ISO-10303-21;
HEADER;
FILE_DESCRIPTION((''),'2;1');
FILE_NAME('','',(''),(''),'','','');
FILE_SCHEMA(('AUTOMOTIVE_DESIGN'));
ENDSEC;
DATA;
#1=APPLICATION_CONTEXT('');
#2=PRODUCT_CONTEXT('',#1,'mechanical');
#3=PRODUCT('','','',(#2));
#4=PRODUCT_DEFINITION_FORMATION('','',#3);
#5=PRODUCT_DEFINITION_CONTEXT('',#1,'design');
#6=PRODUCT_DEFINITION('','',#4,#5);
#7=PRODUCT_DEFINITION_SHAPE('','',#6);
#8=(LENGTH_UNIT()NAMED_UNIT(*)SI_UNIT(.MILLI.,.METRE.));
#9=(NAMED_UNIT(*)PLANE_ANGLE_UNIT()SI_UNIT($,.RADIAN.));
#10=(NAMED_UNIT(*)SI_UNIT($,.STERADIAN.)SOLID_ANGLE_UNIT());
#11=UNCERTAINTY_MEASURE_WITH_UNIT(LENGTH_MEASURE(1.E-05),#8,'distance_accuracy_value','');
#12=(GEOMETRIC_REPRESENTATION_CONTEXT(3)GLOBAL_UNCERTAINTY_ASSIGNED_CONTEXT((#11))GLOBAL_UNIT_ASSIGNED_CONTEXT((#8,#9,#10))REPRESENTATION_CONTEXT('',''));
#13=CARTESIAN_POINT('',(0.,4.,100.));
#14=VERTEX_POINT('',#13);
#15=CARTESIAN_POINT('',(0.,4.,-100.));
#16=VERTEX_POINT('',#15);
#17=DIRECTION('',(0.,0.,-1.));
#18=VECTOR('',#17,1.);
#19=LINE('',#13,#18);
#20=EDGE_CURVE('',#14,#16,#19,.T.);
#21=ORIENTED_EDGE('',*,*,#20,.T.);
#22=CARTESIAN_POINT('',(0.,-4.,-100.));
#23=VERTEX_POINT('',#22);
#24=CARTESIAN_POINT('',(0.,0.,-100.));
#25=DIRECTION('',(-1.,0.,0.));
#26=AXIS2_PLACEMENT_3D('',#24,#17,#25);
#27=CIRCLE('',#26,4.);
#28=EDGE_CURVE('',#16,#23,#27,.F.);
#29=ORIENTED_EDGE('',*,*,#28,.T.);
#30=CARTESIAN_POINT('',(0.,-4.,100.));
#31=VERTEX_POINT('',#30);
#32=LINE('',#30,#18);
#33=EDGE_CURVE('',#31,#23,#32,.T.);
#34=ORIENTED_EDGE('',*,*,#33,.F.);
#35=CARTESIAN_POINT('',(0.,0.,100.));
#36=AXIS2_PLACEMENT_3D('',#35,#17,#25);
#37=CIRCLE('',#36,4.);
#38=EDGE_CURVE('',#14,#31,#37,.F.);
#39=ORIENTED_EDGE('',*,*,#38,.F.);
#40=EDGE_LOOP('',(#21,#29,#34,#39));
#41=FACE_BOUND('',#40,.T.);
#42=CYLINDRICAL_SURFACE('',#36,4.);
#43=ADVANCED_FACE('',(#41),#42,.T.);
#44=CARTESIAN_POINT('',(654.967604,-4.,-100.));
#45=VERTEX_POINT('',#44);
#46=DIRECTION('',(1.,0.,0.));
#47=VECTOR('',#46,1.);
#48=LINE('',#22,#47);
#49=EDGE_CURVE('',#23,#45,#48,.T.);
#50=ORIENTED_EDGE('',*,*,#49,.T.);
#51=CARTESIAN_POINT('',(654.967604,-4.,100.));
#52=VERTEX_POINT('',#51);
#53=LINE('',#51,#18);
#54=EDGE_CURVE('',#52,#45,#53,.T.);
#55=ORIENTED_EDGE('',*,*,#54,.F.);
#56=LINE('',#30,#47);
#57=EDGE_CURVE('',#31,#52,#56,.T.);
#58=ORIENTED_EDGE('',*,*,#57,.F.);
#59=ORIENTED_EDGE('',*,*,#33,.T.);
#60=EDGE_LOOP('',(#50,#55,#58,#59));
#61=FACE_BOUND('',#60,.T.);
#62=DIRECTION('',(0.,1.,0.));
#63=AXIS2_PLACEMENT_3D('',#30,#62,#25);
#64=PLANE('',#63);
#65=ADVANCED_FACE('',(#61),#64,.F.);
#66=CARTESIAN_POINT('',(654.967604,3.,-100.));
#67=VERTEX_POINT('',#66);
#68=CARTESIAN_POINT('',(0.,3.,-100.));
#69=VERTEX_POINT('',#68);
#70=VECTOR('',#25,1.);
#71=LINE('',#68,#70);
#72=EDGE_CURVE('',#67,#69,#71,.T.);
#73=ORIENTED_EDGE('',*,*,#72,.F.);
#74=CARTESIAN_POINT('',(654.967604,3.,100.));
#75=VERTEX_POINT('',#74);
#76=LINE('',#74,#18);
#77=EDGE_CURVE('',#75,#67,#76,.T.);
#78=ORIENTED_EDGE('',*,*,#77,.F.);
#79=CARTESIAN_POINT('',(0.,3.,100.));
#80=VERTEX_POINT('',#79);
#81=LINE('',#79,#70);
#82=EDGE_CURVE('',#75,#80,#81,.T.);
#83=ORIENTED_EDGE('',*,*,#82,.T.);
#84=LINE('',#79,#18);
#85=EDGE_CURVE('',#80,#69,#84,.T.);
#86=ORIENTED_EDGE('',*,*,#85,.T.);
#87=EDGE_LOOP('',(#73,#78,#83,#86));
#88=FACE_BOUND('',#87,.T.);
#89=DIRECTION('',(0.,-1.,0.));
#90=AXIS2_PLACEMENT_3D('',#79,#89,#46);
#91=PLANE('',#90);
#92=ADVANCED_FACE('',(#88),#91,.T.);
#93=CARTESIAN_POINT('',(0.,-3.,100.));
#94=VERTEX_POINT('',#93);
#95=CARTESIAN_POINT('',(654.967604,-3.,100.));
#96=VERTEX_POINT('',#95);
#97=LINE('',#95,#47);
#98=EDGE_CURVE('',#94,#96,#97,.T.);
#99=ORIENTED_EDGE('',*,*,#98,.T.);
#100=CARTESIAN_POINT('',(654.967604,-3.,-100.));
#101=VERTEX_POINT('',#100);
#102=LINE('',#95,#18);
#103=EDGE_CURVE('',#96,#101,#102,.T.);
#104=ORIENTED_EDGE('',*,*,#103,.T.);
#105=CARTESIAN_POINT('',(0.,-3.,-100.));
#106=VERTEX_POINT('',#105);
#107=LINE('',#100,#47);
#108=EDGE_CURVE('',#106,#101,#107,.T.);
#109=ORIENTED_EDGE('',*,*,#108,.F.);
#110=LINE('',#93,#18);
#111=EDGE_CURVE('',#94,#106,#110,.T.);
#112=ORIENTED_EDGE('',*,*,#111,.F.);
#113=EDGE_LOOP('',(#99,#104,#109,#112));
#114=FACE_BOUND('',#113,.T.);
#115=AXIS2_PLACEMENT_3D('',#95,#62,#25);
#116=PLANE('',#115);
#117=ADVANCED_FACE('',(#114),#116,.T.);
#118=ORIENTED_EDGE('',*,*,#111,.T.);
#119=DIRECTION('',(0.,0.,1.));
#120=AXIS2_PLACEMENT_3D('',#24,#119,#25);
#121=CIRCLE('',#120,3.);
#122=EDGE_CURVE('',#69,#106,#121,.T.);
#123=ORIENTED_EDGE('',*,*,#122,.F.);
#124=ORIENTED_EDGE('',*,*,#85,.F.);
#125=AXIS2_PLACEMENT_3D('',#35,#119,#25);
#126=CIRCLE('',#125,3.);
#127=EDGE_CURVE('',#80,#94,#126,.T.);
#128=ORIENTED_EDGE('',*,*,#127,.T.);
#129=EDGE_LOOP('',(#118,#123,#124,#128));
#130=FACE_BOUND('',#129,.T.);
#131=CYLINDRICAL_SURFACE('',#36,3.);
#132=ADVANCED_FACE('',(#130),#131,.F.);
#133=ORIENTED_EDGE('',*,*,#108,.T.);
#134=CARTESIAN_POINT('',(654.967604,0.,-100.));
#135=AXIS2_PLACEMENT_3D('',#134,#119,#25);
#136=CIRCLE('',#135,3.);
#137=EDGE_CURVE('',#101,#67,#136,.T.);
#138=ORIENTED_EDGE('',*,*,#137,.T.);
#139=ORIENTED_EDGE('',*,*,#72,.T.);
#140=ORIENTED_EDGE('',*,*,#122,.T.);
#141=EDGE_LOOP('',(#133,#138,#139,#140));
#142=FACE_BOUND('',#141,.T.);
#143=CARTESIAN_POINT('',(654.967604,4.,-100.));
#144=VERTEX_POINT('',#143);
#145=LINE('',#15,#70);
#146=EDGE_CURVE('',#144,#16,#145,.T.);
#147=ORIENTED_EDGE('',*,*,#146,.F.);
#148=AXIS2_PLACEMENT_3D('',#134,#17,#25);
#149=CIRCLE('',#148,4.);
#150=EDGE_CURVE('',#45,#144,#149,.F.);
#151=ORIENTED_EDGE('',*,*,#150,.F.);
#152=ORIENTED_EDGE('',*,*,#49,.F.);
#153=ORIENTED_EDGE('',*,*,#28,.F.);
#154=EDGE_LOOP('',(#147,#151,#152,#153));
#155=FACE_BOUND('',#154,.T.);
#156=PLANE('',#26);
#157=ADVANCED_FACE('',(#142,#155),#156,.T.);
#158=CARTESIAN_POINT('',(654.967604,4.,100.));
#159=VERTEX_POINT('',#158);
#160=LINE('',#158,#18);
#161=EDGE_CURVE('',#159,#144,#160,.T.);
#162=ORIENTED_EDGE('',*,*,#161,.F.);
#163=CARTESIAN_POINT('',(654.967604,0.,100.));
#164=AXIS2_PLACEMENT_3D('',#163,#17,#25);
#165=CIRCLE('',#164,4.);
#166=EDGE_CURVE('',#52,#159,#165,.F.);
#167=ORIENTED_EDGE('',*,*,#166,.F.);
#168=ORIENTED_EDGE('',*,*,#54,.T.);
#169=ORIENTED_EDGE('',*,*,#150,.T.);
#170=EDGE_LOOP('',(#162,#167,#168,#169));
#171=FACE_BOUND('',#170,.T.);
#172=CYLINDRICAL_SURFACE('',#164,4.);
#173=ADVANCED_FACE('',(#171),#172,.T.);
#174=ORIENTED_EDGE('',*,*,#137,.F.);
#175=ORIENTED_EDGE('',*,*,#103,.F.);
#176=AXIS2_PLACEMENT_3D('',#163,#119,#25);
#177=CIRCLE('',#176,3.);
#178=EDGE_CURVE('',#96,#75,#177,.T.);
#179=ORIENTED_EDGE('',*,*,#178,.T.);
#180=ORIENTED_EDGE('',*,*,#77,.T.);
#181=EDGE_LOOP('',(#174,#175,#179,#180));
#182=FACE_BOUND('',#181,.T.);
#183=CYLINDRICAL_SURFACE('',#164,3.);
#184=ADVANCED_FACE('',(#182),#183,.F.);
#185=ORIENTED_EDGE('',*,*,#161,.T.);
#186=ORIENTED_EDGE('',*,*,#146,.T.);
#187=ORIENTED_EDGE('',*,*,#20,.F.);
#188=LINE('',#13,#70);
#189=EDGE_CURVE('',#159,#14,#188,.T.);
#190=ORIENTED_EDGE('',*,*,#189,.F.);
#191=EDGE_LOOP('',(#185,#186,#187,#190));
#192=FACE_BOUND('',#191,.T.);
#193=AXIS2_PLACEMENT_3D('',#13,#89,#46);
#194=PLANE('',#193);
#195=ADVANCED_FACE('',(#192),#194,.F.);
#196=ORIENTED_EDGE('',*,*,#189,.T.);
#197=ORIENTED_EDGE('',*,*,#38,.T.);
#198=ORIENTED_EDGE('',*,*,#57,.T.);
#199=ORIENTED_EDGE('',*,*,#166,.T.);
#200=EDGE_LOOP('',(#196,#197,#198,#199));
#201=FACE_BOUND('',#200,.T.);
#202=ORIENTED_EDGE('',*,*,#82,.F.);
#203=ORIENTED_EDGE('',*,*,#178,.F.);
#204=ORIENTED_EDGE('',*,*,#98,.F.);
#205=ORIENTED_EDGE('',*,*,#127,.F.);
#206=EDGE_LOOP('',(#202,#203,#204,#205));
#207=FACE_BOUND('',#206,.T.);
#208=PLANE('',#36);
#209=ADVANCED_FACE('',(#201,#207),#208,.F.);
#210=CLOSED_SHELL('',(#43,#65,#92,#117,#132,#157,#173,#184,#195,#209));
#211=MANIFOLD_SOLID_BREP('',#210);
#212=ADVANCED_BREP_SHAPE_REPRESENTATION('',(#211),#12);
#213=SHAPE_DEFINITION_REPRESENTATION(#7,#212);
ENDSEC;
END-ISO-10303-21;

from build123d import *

# Parameters (mm, degrees)
EXTRUDE_THIN1_DEPTH = 100


with BuildPart() as part:
    # Sketch2 → Extrude-Thin1 (new, symmetric)
    with BuildSketch(Plane.XY):
        with BuildLine():
            Line((654.967604407, -4), (0, -4))
            ThreePointArc((0, -4), (-4, 0), (0, 4))
            Line((0, 4), (654.967604407, 4))
            ThreePointArc((654.967604407, 4), (658.967604407, 0), (654.967604407, -4))
        make_face()
        with BuildLine():
            Line((654.967604407, -3), (0, -3))
            ThreePointArc((0, -3), (-3, 0), (0, 3))
            Line((0, 3), (654.967604407, 3))
            ThreePointArc((654.967604407, 3), (657.967604407, 0), (654.967604407, -3))
        make_face(mode=Mode.SUBTRACT)
    extrude(amount=EXTRUDE_THIN1_DEPTH, both=True)


solid = part.part
